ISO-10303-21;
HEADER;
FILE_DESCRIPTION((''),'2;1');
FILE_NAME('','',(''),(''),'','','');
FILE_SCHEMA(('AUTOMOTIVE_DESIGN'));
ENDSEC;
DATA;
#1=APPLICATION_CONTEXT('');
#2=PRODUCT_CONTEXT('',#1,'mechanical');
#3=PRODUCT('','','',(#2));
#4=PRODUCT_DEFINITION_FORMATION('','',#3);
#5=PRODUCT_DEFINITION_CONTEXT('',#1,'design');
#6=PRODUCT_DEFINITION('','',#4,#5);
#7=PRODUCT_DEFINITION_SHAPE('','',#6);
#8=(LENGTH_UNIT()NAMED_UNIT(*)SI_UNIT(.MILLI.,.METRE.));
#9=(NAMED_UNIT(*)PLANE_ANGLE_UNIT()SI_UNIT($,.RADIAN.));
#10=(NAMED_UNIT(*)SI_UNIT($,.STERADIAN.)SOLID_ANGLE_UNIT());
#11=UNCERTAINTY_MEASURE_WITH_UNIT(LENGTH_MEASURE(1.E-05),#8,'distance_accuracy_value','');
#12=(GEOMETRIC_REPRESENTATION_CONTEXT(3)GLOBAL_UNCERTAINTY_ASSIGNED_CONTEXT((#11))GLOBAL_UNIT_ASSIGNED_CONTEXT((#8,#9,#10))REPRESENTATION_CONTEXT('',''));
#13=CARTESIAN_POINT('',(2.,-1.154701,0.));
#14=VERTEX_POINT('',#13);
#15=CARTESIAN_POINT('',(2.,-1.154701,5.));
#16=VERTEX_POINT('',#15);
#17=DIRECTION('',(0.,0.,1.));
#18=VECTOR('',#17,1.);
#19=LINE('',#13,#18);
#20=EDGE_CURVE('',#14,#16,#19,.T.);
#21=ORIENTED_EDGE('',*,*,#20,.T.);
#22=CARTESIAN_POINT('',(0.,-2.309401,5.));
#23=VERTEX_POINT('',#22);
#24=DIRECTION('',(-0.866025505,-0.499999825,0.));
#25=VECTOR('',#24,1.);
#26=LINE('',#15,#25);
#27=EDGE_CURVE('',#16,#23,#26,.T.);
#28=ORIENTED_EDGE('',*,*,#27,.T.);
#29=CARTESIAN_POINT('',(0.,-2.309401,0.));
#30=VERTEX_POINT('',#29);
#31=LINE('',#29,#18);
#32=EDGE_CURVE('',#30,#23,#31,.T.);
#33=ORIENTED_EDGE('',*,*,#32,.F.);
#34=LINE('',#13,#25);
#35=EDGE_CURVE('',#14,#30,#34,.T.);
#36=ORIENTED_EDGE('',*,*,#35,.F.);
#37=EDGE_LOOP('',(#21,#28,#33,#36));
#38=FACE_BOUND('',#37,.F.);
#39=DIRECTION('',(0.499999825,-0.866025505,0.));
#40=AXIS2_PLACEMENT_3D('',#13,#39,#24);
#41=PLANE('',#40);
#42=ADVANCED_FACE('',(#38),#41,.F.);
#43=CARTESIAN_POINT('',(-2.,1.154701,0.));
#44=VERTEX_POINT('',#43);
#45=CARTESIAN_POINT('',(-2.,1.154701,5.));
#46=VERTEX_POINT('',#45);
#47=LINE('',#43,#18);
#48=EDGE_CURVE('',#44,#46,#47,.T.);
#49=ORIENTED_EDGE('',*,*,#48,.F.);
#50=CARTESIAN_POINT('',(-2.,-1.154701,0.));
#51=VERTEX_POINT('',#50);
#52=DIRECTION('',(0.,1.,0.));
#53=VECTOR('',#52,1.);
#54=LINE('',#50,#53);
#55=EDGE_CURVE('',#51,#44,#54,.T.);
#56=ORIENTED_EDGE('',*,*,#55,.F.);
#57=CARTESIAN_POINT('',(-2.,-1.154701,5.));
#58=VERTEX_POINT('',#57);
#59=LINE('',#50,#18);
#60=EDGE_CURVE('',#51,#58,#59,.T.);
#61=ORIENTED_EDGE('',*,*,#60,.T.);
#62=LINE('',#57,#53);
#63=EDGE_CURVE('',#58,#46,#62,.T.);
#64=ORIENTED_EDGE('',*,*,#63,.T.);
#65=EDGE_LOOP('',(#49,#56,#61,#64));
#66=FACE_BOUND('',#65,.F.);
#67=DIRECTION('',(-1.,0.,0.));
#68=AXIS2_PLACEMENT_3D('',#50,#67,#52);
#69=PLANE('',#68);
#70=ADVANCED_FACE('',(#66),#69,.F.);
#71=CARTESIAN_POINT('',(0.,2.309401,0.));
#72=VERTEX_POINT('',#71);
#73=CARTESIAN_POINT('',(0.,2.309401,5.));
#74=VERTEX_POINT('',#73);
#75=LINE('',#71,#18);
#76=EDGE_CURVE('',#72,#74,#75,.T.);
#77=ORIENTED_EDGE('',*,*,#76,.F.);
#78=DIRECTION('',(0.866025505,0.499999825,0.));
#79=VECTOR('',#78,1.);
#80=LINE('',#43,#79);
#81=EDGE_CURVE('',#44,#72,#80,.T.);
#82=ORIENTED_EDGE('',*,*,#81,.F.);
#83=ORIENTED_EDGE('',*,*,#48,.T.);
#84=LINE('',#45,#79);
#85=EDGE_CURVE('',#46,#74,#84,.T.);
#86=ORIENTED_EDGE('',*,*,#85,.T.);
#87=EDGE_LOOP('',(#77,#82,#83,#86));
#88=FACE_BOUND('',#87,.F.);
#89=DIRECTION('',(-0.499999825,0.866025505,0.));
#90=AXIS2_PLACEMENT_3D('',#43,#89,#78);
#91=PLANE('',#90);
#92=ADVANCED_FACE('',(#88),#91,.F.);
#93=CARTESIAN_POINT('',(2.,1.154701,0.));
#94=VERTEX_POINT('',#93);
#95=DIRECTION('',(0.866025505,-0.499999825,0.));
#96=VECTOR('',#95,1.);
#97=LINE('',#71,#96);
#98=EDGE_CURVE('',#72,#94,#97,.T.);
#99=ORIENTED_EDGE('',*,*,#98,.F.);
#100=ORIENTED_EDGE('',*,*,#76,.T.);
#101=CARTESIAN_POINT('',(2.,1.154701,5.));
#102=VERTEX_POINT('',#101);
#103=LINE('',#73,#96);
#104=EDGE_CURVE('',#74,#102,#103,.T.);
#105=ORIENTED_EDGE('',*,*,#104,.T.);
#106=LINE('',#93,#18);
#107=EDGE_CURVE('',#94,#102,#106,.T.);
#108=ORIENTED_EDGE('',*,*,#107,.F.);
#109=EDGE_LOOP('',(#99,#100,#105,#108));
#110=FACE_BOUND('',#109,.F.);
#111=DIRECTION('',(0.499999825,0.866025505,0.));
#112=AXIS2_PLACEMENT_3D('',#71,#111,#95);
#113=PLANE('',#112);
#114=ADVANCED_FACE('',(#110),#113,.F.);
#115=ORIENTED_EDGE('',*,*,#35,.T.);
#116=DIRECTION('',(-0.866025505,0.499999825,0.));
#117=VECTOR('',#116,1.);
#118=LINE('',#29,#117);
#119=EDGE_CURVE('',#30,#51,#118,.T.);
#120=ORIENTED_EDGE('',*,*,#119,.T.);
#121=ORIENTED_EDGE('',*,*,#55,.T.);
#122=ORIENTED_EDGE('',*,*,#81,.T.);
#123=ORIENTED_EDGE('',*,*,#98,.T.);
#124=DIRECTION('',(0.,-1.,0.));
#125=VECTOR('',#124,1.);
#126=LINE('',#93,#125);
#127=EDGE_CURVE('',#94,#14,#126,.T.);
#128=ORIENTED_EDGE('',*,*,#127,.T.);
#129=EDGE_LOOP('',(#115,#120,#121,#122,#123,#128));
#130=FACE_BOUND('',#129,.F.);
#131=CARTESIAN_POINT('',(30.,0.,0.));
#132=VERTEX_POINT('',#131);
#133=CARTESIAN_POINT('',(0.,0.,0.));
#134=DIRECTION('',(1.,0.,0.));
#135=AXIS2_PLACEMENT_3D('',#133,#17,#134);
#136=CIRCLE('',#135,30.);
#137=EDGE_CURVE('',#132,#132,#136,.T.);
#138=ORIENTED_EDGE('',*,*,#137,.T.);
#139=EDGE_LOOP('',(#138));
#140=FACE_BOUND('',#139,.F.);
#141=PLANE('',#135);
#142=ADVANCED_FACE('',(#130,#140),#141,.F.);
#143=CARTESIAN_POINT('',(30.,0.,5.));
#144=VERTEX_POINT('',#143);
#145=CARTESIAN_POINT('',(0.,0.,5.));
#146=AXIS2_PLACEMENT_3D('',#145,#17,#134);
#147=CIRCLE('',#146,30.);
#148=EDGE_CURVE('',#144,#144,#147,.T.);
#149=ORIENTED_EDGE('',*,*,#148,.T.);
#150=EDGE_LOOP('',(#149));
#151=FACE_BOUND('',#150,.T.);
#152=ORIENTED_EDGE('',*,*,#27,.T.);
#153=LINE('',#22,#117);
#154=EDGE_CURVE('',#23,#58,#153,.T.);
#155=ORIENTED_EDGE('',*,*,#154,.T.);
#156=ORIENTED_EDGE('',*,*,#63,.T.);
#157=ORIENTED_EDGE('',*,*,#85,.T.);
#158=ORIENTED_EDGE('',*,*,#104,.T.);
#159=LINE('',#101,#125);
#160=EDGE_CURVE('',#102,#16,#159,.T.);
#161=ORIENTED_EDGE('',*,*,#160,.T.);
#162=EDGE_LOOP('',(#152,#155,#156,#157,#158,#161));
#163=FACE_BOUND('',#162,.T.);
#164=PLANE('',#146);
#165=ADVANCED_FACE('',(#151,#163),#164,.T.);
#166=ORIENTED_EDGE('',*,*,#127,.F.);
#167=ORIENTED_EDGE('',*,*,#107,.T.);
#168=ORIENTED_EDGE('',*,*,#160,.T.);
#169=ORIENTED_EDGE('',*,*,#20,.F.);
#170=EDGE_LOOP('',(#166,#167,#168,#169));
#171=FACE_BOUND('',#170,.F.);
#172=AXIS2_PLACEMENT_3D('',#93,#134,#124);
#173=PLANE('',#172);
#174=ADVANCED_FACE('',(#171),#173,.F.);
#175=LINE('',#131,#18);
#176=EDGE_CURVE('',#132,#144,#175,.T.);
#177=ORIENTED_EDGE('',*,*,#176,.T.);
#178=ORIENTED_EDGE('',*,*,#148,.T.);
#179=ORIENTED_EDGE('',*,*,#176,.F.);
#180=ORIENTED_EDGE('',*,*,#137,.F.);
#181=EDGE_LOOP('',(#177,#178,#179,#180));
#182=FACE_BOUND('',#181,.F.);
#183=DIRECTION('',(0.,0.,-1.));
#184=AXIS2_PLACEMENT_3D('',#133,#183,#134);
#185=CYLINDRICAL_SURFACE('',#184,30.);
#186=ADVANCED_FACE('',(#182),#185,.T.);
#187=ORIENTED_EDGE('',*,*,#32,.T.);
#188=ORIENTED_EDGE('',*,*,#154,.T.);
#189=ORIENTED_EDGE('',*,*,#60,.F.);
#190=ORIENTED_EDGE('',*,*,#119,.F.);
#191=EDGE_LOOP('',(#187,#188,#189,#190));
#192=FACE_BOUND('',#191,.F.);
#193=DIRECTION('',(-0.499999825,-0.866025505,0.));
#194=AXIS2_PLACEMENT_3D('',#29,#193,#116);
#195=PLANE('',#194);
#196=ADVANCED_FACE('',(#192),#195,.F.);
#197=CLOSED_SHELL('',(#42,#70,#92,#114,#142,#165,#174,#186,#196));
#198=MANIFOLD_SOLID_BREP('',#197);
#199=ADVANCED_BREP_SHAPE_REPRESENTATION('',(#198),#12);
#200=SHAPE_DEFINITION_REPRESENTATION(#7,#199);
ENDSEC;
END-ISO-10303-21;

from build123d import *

# Parameters (mm, degrees)
F0_R     = 30
F1_DEPTH = 5


with BuildPart() as f1:
    # F0 (on Top) → F1 (new body)
    with BuildSketch(Plane.XY):
        Circle(F0_R)
        Polygon((2, 1.154701), (2, 0), (2, -1.154701), (1, -1.732051), (0, -2.309401), (-1, -1.732051), (-2, -1.154701), (-2, 0), (-2, 1.154701), (-1, 1.732051), (0, 2.309401), (1, 1.732051), align=None, mode=Mode.SUBTRACT)
    extrude(amount=F1_DEPTH)


solid = f1.part
